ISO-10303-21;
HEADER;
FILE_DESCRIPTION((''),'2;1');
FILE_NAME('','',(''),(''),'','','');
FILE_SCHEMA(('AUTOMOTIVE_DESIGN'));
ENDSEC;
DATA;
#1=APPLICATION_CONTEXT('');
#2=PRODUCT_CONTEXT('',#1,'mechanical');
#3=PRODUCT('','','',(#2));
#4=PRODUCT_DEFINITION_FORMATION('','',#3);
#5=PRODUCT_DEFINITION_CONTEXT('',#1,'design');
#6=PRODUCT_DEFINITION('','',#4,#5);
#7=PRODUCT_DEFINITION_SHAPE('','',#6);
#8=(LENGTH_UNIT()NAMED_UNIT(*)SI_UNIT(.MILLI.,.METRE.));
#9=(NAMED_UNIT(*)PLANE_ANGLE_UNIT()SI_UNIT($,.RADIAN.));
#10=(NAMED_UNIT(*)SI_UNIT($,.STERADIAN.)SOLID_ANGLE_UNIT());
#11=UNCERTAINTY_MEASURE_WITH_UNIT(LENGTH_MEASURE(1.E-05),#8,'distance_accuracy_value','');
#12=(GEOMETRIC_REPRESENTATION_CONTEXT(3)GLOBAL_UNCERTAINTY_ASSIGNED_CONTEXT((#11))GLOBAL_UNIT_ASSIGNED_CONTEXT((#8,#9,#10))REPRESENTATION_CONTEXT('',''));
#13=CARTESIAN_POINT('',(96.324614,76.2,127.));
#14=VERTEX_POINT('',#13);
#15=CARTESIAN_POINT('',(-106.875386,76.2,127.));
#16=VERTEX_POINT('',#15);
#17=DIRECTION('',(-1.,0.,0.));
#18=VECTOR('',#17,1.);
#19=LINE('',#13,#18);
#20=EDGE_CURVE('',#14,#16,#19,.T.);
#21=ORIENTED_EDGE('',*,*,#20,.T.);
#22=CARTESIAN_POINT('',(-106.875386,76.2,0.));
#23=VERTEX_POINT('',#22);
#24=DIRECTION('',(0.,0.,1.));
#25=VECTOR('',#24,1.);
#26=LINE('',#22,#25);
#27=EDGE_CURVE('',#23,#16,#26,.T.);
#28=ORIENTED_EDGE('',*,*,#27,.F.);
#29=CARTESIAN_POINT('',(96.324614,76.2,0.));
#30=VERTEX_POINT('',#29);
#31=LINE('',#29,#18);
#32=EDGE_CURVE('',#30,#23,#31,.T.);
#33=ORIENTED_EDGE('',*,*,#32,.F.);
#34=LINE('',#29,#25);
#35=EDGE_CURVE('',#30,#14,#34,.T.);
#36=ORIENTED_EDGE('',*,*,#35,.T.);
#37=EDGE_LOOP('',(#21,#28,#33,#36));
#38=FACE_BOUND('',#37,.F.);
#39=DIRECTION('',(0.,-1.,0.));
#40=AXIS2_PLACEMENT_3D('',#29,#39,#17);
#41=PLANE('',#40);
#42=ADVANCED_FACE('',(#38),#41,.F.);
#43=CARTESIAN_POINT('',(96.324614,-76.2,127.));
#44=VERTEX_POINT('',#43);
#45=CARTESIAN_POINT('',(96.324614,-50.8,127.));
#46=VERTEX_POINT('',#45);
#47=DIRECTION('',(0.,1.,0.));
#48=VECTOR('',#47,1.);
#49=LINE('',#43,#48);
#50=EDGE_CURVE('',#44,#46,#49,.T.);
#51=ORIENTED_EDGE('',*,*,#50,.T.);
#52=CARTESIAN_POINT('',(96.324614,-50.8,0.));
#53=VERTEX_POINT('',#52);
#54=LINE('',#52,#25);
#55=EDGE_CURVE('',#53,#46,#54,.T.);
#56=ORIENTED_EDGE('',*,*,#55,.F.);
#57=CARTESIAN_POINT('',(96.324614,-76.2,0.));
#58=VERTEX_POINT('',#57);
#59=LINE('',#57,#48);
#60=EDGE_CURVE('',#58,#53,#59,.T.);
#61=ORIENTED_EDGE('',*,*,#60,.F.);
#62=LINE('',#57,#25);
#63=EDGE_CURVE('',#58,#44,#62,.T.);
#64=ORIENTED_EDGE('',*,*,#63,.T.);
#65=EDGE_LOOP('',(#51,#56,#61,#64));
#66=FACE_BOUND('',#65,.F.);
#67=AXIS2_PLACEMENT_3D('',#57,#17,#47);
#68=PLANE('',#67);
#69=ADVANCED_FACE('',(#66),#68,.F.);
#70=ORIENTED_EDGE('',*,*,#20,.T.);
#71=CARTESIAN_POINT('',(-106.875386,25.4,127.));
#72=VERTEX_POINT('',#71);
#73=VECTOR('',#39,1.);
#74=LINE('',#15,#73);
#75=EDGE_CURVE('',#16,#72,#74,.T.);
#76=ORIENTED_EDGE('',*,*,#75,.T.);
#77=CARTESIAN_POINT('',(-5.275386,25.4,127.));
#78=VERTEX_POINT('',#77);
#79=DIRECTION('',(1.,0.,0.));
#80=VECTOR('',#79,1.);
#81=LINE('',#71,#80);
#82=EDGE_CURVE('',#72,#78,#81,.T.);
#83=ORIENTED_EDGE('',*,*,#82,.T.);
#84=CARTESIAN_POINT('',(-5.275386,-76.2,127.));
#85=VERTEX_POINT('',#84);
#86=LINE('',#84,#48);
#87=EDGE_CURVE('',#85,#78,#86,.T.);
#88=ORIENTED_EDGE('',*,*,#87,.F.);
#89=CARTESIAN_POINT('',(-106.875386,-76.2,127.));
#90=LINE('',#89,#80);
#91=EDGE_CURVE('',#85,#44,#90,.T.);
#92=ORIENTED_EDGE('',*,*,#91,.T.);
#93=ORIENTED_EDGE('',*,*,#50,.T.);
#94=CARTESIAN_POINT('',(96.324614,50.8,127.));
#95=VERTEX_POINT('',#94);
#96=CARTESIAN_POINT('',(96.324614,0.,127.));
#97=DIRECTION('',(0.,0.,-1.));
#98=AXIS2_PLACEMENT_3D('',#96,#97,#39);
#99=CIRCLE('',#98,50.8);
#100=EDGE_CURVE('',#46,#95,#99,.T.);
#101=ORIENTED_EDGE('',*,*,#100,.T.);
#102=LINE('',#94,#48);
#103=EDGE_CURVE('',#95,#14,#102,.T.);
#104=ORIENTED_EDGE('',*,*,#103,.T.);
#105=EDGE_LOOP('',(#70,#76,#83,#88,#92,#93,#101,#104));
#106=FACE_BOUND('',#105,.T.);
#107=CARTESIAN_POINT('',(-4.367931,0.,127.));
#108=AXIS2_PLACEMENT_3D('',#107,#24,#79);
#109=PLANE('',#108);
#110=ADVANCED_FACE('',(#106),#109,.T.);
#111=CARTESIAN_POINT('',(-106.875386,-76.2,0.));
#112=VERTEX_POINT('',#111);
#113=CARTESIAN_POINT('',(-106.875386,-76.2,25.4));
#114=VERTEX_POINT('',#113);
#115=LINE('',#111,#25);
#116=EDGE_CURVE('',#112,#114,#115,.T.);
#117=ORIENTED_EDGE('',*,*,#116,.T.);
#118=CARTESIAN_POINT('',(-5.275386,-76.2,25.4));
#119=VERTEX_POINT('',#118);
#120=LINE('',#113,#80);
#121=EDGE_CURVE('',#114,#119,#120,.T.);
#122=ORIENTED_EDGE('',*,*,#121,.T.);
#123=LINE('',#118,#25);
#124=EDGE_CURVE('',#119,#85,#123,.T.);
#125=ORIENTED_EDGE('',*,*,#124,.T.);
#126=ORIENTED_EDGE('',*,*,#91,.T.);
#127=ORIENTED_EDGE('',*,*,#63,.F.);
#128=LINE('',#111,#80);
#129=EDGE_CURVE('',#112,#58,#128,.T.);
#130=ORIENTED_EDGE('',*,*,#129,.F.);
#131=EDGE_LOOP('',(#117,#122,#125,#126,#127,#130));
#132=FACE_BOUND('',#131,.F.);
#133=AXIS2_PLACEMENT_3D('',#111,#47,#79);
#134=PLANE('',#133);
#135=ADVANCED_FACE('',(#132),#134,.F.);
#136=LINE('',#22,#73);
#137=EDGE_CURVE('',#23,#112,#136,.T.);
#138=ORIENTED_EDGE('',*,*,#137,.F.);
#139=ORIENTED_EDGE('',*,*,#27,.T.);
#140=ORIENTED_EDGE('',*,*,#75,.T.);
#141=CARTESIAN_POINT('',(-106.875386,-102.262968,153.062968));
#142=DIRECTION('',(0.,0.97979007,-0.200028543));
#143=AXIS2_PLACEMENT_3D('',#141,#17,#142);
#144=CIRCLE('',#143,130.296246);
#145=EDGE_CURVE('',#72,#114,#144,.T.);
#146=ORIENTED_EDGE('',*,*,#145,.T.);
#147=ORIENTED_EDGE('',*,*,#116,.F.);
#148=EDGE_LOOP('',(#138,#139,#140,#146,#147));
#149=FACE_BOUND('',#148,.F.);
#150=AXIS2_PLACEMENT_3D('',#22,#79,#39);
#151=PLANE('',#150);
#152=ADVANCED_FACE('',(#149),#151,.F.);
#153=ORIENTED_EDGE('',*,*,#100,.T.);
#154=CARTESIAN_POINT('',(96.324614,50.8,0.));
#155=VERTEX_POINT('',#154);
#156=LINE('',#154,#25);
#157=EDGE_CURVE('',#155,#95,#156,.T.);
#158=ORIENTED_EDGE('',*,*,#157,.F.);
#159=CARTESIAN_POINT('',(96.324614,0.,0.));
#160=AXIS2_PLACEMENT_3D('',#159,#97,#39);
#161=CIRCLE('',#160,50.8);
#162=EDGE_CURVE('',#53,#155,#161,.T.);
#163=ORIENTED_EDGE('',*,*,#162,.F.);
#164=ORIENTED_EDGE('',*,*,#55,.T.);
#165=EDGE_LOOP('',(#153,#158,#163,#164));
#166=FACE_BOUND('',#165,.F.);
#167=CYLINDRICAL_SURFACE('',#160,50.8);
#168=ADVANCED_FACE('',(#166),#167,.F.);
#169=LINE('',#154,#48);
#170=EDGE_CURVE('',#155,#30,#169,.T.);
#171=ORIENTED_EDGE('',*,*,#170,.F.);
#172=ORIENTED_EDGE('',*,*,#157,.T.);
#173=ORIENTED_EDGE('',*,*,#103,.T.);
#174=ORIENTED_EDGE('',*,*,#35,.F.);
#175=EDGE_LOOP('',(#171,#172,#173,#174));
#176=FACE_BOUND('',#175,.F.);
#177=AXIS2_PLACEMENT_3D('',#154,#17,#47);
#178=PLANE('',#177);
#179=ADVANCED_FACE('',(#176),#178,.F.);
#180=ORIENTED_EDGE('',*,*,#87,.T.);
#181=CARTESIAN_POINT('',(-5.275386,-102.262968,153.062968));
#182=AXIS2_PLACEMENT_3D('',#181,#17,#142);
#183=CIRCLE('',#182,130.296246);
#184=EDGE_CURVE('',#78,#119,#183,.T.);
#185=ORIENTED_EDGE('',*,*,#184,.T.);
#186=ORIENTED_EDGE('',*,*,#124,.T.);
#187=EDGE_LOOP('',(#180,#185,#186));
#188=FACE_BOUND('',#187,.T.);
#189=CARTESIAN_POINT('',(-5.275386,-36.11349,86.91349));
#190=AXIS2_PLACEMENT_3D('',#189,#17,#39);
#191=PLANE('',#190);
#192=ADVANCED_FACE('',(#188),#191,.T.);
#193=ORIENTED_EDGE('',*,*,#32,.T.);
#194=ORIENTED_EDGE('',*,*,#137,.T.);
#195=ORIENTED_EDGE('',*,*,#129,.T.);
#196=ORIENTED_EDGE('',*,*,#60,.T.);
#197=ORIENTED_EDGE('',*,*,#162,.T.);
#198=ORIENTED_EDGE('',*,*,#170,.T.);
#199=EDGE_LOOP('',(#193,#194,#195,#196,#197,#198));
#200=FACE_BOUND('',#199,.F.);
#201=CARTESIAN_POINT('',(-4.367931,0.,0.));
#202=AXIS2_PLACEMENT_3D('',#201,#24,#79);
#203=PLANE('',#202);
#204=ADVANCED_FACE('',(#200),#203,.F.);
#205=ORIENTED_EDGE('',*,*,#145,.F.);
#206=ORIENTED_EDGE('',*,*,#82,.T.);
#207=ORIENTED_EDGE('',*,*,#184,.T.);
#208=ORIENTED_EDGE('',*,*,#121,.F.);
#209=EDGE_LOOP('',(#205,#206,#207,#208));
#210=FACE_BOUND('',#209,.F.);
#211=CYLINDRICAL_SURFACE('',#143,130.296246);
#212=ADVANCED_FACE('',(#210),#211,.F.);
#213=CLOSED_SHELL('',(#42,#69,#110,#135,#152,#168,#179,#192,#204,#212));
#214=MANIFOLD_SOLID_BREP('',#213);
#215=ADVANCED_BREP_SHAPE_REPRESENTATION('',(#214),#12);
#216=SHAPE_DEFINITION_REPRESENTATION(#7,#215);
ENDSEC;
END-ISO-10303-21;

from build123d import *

# Parameters (mm, degrees)
F1_DEPTH = 127
F3_DEPTH = 101.6


with BuildPart() as f1:
    # F0 (on Top) → F1 (new body)
    with BuildSketch(Plane.XY):
        with BuildLine():
            Line((96.324614, 76.2), (-106.875386, 76.2))
            Line((-106.875386, 76.2), (-106.875386, -76.2))
            Line((-106.875386, -76.2), (96.324614, -76.2))
            Line((96.324614, -76.2), (96.324614, -50.8))
            ThreePointArc((96.324614, -50.8), (45.524614, 0), (96.324614, 50.8))
            Line((96.324614, 50.8), (96.324614, 76.2))
        make_face()
    extrude(amount=F1_DEPTH)

    # F2 (on face) → F3 (cut)
    with BuildSketch(Plane(origin=(-106.875386, 0, 0), x_dir=(0, -1, 0), z_dir=(-1, 0, 0))):
        with BuildLine():
            Line((76.2, 127), (-25.4, 127))
            ThreePointArc((-25.4, 127), (10.129609, 60.929609), (76.2, 25.4))
            Line((76.2, 25.4), (76.2, 127))
        make_face()
    extrude(amount=-F3_DEPTH, mode=Mode.SUBTRACT)


solid = f1.part
